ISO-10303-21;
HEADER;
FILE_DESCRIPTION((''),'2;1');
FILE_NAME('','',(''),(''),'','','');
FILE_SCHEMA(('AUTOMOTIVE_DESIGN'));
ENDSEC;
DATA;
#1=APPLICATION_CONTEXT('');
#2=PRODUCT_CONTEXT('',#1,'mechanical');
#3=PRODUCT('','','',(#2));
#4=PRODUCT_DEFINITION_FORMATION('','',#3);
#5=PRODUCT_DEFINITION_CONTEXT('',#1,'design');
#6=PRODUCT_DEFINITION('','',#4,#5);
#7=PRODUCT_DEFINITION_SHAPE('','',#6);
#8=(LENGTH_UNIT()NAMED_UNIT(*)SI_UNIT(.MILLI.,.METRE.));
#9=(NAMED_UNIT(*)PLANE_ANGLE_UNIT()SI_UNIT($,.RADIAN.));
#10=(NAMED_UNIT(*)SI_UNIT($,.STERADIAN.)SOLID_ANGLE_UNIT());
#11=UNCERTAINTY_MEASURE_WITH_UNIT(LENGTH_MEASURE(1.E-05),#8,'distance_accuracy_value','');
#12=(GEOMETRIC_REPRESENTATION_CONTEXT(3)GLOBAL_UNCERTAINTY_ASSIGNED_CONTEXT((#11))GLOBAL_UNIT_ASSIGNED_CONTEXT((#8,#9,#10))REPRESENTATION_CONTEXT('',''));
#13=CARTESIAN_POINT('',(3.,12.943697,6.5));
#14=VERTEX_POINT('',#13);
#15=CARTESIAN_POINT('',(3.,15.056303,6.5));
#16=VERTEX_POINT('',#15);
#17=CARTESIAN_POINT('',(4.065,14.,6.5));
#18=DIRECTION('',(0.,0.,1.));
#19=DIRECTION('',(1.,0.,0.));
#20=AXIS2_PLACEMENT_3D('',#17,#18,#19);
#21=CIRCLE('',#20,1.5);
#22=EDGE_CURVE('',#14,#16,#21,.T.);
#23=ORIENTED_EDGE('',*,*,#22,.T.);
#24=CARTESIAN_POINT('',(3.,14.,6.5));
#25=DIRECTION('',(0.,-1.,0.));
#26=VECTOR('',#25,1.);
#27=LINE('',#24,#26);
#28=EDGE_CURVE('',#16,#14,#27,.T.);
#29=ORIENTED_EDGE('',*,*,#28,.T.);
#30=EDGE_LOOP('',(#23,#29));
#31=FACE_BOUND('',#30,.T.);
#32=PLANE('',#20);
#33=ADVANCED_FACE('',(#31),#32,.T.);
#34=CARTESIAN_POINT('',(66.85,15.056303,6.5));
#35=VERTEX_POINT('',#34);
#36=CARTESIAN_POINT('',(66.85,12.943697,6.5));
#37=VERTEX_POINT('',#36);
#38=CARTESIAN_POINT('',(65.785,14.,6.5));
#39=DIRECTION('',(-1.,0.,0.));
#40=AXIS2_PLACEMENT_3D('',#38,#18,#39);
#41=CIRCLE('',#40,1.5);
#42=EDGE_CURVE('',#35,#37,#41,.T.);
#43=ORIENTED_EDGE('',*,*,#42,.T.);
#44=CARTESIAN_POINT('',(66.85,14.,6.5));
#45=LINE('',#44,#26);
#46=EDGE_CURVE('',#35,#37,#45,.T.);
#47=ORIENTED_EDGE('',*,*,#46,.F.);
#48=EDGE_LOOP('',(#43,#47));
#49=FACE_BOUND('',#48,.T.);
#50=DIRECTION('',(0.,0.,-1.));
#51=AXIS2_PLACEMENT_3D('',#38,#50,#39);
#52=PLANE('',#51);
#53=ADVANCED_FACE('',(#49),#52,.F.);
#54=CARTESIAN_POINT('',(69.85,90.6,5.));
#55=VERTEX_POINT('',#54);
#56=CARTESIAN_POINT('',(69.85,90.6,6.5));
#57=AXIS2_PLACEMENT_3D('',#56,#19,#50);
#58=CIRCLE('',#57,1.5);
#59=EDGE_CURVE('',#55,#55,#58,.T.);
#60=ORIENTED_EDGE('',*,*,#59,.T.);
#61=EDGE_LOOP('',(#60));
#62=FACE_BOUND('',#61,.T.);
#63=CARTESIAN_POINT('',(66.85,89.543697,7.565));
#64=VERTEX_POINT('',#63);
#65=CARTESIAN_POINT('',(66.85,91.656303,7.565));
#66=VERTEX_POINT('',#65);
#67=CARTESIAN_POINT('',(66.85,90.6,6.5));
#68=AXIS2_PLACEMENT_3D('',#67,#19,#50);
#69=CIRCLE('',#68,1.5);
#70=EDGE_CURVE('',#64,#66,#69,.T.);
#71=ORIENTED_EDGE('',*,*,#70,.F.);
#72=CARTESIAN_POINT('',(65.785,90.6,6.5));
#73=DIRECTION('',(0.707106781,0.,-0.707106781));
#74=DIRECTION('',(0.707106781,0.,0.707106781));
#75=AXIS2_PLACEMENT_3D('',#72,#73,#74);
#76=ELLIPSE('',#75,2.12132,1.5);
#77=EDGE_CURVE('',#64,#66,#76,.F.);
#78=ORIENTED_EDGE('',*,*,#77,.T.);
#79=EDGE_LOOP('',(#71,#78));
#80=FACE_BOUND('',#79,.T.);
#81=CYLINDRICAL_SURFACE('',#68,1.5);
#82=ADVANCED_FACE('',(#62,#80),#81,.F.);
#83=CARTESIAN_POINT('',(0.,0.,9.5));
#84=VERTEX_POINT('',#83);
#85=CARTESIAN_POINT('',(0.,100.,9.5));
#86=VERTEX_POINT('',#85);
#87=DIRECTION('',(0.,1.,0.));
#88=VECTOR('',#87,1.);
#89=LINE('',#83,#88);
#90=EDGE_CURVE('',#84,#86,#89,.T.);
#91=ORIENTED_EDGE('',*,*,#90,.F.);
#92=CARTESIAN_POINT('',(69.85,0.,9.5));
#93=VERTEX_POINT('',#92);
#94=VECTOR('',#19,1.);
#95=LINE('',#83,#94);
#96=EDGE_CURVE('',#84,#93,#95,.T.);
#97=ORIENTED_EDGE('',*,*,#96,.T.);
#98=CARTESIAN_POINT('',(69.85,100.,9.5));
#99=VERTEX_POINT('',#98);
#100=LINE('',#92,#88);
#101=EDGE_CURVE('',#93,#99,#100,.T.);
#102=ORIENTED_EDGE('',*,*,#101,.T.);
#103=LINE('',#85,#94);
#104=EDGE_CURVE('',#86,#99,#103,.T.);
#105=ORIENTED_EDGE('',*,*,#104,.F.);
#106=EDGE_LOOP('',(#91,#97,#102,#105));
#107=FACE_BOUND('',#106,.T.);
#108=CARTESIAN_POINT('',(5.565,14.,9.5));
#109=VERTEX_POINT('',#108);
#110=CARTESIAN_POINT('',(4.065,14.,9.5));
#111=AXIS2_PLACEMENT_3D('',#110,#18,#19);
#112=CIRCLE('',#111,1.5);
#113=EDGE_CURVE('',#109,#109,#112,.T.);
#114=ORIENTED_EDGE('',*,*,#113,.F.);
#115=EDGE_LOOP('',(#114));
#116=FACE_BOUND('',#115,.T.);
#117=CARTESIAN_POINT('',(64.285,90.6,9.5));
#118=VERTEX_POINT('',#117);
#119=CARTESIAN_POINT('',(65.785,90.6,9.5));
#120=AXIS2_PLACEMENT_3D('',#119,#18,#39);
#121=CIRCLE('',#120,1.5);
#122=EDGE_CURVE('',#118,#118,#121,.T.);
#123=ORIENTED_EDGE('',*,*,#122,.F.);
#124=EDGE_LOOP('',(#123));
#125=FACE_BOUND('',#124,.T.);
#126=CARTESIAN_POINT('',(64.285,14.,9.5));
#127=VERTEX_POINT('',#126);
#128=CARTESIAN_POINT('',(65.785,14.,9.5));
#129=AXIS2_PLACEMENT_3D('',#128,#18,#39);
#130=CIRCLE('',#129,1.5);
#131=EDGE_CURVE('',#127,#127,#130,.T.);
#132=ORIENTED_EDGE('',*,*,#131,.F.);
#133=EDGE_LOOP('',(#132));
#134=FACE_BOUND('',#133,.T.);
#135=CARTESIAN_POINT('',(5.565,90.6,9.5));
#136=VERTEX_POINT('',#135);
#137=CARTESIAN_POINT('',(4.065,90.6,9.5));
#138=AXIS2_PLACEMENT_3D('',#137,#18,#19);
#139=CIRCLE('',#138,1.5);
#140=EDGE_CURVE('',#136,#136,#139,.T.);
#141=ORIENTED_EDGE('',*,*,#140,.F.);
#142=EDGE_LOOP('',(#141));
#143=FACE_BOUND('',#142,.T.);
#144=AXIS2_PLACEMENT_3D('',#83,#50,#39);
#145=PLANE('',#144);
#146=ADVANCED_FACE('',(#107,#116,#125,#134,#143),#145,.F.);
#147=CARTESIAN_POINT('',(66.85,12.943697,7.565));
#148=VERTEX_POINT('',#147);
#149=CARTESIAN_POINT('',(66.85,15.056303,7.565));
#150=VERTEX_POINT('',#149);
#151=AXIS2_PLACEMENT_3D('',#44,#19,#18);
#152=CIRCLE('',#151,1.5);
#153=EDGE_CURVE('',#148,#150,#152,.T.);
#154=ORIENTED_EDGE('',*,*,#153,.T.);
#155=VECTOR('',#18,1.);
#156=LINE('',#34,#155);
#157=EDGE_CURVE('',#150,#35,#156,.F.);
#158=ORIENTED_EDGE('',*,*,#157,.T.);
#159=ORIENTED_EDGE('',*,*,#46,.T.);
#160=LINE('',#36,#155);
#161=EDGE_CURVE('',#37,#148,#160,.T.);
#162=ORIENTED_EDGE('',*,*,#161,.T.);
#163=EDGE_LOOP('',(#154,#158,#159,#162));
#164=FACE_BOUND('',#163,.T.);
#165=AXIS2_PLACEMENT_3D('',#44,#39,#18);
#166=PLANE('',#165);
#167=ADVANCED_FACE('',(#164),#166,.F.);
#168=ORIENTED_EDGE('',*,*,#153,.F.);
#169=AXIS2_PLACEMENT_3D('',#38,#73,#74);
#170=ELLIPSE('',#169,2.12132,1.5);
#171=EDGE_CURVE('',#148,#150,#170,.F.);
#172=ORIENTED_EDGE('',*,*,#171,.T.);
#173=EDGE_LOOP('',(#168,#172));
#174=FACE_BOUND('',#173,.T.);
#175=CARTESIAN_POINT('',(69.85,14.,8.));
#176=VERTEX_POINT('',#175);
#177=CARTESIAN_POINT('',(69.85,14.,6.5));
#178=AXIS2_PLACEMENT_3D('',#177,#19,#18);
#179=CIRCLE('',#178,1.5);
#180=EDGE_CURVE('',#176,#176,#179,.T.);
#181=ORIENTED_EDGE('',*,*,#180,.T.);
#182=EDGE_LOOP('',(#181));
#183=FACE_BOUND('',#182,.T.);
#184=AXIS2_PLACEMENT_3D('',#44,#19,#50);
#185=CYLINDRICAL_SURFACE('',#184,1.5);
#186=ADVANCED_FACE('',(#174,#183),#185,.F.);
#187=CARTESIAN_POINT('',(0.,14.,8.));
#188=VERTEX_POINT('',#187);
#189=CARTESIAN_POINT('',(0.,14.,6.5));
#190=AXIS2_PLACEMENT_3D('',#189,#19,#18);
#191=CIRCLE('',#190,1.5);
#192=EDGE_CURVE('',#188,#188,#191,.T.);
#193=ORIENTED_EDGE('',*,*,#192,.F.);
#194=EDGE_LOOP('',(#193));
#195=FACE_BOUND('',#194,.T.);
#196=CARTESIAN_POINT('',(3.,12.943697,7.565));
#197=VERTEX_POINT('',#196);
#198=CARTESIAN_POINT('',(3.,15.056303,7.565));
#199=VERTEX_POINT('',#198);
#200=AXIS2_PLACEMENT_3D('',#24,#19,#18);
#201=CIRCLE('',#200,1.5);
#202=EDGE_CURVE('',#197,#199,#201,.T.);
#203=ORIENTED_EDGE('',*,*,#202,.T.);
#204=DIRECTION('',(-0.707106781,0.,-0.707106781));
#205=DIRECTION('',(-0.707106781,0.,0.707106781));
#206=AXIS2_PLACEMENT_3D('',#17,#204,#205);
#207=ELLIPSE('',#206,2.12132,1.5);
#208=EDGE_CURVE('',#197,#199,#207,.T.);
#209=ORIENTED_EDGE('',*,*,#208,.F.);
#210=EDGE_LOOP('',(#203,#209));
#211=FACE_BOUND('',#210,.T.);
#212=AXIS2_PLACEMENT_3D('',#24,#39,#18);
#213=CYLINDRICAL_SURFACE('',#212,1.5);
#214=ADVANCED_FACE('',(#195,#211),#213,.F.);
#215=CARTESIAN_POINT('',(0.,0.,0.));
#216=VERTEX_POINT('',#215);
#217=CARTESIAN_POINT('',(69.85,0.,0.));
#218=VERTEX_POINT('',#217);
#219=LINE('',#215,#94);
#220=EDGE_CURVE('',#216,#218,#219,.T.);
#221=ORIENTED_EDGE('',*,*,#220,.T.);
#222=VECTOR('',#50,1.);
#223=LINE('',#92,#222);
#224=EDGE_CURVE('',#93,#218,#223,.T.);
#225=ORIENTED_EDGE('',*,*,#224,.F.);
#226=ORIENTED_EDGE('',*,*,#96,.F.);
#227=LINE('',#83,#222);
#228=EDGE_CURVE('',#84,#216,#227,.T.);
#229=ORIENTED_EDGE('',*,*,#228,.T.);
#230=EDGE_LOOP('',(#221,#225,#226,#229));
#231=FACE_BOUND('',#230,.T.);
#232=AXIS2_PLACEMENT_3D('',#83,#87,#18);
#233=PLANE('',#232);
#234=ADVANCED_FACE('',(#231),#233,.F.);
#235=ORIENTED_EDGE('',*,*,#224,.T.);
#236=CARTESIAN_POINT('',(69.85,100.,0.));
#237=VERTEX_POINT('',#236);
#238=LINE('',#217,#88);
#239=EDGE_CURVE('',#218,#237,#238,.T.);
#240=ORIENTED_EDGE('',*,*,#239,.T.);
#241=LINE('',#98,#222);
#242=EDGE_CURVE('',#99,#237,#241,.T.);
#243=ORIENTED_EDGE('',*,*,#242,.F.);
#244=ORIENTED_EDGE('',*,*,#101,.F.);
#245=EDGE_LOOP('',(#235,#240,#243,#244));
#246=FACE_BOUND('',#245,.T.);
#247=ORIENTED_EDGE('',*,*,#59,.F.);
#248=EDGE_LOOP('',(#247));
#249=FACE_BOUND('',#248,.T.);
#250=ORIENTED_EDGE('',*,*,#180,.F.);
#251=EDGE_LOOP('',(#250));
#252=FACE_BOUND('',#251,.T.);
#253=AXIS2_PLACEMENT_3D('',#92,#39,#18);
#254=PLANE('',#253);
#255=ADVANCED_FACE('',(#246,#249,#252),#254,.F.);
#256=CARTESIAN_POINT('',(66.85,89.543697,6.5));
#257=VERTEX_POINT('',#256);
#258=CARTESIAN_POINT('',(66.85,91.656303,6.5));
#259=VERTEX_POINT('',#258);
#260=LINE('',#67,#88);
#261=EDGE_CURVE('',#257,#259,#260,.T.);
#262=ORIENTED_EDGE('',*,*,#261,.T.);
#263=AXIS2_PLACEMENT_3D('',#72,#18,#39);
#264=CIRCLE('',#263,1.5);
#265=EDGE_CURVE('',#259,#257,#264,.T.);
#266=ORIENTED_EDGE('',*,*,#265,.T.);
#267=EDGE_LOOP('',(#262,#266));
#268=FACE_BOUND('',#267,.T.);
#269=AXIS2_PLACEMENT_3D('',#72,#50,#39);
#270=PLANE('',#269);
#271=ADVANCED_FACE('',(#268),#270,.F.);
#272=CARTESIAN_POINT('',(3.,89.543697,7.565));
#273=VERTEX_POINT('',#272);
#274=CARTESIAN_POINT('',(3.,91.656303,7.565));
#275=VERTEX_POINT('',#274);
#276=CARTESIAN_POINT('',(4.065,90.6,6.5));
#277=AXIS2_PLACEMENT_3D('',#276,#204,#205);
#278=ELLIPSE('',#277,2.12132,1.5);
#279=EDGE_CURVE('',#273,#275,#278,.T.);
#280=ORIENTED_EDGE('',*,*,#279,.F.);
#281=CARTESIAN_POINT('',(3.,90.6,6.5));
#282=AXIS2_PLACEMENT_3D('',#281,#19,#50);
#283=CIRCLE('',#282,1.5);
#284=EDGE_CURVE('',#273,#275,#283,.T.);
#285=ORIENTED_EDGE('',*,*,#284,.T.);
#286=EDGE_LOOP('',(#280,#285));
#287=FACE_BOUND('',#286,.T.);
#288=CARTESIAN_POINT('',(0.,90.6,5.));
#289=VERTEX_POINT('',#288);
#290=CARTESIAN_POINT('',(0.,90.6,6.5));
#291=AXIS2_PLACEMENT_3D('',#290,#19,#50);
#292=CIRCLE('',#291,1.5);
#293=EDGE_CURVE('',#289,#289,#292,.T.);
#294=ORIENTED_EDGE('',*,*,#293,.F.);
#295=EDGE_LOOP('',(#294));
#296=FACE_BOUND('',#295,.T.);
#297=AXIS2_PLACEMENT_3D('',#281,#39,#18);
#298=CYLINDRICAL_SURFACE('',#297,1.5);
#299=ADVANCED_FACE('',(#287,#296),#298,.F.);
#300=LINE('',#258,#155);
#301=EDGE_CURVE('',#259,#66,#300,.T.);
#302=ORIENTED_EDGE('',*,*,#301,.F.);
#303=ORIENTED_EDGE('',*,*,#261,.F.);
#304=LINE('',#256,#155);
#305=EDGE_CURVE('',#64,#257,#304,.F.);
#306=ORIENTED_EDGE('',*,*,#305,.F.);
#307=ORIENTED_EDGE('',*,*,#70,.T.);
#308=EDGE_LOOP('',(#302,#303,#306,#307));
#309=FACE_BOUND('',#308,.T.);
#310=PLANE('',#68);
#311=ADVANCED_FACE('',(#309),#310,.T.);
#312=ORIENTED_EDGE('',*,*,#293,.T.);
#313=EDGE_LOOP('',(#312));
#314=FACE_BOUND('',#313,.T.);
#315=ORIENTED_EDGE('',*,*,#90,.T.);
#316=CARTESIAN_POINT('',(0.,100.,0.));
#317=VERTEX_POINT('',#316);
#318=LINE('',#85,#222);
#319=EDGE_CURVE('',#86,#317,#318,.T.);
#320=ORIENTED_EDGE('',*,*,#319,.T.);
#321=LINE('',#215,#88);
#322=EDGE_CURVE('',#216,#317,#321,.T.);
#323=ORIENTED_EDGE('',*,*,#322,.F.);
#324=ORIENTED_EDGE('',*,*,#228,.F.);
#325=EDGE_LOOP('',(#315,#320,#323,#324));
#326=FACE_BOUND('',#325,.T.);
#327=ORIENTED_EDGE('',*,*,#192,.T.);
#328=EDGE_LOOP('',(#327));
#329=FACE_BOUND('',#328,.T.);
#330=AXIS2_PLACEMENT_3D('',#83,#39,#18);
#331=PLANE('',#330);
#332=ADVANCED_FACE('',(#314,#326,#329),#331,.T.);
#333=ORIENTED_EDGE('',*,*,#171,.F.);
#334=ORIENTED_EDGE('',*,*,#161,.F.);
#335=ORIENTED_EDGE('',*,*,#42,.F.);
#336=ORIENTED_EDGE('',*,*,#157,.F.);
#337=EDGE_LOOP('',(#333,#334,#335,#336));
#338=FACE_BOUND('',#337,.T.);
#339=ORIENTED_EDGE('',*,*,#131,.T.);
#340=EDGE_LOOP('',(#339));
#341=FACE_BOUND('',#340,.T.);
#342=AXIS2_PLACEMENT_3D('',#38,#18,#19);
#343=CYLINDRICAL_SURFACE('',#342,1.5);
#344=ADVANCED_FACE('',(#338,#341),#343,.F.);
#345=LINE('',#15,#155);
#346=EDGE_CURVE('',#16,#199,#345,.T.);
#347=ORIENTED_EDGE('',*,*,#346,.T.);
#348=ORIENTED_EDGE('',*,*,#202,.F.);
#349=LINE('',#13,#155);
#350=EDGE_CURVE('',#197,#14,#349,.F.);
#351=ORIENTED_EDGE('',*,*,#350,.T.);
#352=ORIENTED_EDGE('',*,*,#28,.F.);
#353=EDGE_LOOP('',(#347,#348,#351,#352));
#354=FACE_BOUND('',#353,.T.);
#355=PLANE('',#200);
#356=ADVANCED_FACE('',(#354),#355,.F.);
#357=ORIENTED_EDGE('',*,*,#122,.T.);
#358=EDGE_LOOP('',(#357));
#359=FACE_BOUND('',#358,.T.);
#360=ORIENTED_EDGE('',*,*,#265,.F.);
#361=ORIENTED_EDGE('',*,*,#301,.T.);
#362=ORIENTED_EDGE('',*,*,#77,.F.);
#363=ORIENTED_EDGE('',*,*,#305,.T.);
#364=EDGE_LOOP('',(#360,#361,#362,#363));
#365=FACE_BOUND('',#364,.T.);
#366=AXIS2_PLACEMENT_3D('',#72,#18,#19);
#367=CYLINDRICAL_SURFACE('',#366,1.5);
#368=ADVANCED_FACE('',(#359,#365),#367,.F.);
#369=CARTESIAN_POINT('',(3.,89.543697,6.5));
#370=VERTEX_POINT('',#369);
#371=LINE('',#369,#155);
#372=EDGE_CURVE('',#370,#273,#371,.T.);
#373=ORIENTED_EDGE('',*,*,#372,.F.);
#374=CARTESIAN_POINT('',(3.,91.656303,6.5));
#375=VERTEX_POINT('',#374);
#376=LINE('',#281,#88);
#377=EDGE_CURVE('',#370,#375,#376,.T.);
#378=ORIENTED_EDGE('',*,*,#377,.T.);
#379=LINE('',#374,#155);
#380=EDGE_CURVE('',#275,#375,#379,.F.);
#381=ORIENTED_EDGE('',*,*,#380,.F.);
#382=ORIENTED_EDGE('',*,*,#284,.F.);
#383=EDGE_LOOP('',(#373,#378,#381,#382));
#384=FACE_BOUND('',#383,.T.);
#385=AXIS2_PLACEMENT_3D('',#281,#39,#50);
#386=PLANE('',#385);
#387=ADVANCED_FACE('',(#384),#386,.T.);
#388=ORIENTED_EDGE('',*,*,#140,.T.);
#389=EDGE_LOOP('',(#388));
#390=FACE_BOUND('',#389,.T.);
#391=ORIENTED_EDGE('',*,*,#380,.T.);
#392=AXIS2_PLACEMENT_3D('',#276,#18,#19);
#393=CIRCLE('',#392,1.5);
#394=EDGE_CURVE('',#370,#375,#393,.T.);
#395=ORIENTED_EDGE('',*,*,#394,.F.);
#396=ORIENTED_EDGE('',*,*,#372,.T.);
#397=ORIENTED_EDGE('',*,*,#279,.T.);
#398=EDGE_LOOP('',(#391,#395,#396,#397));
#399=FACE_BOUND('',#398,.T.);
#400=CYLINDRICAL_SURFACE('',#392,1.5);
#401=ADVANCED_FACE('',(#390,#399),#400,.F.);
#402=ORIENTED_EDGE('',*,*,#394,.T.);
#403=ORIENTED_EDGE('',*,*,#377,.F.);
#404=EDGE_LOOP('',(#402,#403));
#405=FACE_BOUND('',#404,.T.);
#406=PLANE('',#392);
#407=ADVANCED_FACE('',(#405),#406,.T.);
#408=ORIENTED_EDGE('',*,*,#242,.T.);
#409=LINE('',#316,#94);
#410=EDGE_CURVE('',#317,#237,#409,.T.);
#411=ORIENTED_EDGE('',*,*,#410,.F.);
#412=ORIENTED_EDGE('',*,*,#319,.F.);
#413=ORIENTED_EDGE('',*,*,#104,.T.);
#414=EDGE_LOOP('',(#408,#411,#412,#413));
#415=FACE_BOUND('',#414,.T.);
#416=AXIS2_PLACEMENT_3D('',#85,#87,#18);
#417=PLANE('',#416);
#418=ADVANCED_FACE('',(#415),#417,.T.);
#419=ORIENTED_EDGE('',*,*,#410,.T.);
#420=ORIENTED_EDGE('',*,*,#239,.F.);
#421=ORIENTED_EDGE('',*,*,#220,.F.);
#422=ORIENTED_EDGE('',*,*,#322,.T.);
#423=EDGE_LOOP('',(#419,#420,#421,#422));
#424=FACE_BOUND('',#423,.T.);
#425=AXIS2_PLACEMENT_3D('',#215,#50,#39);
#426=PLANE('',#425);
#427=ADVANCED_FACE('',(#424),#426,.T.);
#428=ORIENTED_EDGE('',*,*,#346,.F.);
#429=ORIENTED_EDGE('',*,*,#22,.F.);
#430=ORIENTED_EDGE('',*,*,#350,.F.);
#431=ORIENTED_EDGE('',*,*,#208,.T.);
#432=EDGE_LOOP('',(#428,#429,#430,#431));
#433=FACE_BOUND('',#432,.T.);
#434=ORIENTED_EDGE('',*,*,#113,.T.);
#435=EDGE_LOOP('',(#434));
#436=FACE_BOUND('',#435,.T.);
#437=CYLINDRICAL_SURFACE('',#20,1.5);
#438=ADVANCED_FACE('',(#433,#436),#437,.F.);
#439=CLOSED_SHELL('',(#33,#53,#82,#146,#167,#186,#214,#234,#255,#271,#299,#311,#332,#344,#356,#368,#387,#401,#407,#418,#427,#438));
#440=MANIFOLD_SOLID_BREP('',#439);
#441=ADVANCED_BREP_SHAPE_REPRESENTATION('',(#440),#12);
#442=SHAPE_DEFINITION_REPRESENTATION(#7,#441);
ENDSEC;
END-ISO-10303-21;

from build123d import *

# Parameters (mm, degrees)
SKETCH_1_W          = 69.85
SKETCH_1_H          = 100
EXTRUDE_1_DEPTH     = 9.5
SKETCH_2_R          = 1.5
CUT_EXTRUDE_1_DEPTH = 3
SKETCH_4_R          = 1.5
CUT_EXTRUDE_3_DEPTH = 3


with BuildPart() as part:
    # 스케치1 → 보스-돌출1 (new body)
    with BuildSketch(Plane.XY):
        with Locations((34.925, 50)):
            Rectangle(SKETCH_1_W, SKETCH_1_H)
    extrude(amount=EXTRUDE_1_DEPTH)

    # 스케치2 → 컷-돌출1 (cut)
    with BuildSketch(Plane(origin=(69.85, 0, 0), x_dir=(0, 0, -1), z_dir=(1, 0, 0))):
        with Locations((-6.5, 90.6)):
            Circle(SKETCH_2_R)
        with Locations(Location((-6.5, 14, 0), (0, 0, 180))):
            Circle(SKETCH_2_R)
    cut_extrude_1 = extrude(amount=-CUT_EXTRUDE_1_DEPTH, mode=Mode.SUBTRACT)

    # 대칭 복사1: 컷-돌출1 across plane
    add(cut_extrude_1.mirror(Plane(origin=(34.925, 0, 0), x_dir=(0, 0, 1), z_dir=(1, 0, 0))), mode=Mode.SUBTRACT)

    # 스케치4 → 컷-돌출3 (cut)
    with BuildSketch(Plane.XY.offset(9.5)):
        with Locations((4.065, 90.6)):
            Circle(SKETCH_4_R)
        with Locations(Location((65.785, 90.6, 0), (0, 0, 315.234915329))):
            Circle(SKETCH_4_R)
        with Locations((4.065, 14)):
            Circle(SKETCH_4_R)
        with Locations(Location((65.785, 14, 0), (0, 0, 44.765084671))):
            Circle(SKETCH_4_R)
    extrude(amount=-CUT_EXTRUDE_3_DEPTH, mode=Mode.SUBTRACT)


solid = part.part
